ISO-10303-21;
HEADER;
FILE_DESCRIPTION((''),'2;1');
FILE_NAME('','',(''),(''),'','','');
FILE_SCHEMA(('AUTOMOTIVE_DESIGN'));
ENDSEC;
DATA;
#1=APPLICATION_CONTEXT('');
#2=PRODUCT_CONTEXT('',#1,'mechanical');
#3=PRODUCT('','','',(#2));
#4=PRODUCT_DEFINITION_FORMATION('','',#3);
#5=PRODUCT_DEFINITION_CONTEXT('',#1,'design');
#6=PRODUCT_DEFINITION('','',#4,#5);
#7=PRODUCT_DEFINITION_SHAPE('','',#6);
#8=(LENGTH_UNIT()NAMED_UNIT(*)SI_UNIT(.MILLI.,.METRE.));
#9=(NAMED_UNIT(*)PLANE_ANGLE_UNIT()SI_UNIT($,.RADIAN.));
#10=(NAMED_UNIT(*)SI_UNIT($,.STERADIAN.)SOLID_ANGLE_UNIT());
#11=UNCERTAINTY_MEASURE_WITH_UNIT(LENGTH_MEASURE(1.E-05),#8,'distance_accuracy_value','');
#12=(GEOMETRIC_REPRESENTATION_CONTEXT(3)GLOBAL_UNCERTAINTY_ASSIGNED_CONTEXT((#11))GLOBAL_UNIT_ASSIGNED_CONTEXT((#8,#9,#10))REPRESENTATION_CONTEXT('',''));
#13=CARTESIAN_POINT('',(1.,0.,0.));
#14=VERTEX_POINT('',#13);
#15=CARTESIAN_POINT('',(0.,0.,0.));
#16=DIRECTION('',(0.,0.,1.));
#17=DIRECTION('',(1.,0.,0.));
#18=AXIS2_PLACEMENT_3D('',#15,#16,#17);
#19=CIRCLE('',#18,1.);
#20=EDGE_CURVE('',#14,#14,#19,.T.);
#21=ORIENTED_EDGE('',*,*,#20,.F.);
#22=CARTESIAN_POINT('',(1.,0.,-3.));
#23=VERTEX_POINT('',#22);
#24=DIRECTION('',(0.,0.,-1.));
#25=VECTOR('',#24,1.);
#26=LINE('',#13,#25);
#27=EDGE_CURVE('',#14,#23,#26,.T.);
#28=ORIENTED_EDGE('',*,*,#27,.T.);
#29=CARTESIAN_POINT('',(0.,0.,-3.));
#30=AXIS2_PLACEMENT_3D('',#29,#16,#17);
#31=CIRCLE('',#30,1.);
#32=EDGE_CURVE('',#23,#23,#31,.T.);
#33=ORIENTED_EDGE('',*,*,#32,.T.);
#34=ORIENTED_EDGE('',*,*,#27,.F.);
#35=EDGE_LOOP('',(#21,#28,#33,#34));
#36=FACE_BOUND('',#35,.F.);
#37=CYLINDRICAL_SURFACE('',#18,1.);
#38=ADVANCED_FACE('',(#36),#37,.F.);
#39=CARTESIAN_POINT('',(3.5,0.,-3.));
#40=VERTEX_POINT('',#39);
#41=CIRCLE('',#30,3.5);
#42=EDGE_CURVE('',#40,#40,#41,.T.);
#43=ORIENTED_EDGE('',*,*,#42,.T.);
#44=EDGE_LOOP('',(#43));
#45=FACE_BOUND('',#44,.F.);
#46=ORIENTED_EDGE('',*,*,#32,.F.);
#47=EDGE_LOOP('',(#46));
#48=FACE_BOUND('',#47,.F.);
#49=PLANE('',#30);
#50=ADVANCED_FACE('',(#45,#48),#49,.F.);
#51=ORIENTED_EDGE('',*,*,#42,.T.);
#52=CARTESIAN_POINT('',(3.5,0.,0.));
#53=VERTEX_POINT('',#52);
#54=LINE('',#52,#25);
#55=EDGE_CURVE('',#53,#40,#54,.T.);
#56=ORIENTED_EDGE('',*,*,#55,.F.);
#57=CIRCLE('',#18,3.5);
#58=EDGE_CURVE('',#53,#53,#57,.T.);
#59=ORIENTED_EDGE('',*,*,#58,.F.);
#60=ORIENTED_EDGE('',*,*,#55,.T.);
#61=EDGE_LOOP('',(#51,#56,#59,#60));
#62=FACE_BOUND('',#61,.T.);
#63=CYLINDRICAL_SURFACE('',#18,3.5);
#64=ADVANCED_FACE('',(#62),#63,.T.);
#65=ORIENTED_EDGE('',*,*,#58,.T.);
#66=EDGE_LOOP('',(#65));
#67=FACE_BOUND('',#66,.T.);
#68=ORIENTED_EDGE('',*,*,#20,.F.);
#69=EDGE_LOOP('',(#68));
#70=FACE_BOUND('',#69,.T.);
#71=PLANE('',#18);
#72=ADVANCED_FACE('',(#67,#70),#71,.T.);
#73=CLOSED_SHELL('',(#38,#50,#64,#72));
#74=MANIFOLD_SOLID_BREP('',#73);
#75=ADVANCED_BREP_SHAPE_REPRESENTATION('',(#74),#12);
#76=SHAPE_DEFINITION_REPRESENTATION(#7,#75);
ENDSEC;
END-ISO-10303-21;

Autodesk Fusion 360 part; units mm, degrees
sketch "Sketch1" plane through (0, 0, 0) normal (0, 0, 1) x (1, 0, 0)
  circle A0 centre (0, 0) radius 1
  circle A1 centre (0, 0) radius 3.5
  dimension "d1" = 2
  dimension "d2" = 7
extrude "Extrude1" add sketch "Sketch1" against normal blind 3
